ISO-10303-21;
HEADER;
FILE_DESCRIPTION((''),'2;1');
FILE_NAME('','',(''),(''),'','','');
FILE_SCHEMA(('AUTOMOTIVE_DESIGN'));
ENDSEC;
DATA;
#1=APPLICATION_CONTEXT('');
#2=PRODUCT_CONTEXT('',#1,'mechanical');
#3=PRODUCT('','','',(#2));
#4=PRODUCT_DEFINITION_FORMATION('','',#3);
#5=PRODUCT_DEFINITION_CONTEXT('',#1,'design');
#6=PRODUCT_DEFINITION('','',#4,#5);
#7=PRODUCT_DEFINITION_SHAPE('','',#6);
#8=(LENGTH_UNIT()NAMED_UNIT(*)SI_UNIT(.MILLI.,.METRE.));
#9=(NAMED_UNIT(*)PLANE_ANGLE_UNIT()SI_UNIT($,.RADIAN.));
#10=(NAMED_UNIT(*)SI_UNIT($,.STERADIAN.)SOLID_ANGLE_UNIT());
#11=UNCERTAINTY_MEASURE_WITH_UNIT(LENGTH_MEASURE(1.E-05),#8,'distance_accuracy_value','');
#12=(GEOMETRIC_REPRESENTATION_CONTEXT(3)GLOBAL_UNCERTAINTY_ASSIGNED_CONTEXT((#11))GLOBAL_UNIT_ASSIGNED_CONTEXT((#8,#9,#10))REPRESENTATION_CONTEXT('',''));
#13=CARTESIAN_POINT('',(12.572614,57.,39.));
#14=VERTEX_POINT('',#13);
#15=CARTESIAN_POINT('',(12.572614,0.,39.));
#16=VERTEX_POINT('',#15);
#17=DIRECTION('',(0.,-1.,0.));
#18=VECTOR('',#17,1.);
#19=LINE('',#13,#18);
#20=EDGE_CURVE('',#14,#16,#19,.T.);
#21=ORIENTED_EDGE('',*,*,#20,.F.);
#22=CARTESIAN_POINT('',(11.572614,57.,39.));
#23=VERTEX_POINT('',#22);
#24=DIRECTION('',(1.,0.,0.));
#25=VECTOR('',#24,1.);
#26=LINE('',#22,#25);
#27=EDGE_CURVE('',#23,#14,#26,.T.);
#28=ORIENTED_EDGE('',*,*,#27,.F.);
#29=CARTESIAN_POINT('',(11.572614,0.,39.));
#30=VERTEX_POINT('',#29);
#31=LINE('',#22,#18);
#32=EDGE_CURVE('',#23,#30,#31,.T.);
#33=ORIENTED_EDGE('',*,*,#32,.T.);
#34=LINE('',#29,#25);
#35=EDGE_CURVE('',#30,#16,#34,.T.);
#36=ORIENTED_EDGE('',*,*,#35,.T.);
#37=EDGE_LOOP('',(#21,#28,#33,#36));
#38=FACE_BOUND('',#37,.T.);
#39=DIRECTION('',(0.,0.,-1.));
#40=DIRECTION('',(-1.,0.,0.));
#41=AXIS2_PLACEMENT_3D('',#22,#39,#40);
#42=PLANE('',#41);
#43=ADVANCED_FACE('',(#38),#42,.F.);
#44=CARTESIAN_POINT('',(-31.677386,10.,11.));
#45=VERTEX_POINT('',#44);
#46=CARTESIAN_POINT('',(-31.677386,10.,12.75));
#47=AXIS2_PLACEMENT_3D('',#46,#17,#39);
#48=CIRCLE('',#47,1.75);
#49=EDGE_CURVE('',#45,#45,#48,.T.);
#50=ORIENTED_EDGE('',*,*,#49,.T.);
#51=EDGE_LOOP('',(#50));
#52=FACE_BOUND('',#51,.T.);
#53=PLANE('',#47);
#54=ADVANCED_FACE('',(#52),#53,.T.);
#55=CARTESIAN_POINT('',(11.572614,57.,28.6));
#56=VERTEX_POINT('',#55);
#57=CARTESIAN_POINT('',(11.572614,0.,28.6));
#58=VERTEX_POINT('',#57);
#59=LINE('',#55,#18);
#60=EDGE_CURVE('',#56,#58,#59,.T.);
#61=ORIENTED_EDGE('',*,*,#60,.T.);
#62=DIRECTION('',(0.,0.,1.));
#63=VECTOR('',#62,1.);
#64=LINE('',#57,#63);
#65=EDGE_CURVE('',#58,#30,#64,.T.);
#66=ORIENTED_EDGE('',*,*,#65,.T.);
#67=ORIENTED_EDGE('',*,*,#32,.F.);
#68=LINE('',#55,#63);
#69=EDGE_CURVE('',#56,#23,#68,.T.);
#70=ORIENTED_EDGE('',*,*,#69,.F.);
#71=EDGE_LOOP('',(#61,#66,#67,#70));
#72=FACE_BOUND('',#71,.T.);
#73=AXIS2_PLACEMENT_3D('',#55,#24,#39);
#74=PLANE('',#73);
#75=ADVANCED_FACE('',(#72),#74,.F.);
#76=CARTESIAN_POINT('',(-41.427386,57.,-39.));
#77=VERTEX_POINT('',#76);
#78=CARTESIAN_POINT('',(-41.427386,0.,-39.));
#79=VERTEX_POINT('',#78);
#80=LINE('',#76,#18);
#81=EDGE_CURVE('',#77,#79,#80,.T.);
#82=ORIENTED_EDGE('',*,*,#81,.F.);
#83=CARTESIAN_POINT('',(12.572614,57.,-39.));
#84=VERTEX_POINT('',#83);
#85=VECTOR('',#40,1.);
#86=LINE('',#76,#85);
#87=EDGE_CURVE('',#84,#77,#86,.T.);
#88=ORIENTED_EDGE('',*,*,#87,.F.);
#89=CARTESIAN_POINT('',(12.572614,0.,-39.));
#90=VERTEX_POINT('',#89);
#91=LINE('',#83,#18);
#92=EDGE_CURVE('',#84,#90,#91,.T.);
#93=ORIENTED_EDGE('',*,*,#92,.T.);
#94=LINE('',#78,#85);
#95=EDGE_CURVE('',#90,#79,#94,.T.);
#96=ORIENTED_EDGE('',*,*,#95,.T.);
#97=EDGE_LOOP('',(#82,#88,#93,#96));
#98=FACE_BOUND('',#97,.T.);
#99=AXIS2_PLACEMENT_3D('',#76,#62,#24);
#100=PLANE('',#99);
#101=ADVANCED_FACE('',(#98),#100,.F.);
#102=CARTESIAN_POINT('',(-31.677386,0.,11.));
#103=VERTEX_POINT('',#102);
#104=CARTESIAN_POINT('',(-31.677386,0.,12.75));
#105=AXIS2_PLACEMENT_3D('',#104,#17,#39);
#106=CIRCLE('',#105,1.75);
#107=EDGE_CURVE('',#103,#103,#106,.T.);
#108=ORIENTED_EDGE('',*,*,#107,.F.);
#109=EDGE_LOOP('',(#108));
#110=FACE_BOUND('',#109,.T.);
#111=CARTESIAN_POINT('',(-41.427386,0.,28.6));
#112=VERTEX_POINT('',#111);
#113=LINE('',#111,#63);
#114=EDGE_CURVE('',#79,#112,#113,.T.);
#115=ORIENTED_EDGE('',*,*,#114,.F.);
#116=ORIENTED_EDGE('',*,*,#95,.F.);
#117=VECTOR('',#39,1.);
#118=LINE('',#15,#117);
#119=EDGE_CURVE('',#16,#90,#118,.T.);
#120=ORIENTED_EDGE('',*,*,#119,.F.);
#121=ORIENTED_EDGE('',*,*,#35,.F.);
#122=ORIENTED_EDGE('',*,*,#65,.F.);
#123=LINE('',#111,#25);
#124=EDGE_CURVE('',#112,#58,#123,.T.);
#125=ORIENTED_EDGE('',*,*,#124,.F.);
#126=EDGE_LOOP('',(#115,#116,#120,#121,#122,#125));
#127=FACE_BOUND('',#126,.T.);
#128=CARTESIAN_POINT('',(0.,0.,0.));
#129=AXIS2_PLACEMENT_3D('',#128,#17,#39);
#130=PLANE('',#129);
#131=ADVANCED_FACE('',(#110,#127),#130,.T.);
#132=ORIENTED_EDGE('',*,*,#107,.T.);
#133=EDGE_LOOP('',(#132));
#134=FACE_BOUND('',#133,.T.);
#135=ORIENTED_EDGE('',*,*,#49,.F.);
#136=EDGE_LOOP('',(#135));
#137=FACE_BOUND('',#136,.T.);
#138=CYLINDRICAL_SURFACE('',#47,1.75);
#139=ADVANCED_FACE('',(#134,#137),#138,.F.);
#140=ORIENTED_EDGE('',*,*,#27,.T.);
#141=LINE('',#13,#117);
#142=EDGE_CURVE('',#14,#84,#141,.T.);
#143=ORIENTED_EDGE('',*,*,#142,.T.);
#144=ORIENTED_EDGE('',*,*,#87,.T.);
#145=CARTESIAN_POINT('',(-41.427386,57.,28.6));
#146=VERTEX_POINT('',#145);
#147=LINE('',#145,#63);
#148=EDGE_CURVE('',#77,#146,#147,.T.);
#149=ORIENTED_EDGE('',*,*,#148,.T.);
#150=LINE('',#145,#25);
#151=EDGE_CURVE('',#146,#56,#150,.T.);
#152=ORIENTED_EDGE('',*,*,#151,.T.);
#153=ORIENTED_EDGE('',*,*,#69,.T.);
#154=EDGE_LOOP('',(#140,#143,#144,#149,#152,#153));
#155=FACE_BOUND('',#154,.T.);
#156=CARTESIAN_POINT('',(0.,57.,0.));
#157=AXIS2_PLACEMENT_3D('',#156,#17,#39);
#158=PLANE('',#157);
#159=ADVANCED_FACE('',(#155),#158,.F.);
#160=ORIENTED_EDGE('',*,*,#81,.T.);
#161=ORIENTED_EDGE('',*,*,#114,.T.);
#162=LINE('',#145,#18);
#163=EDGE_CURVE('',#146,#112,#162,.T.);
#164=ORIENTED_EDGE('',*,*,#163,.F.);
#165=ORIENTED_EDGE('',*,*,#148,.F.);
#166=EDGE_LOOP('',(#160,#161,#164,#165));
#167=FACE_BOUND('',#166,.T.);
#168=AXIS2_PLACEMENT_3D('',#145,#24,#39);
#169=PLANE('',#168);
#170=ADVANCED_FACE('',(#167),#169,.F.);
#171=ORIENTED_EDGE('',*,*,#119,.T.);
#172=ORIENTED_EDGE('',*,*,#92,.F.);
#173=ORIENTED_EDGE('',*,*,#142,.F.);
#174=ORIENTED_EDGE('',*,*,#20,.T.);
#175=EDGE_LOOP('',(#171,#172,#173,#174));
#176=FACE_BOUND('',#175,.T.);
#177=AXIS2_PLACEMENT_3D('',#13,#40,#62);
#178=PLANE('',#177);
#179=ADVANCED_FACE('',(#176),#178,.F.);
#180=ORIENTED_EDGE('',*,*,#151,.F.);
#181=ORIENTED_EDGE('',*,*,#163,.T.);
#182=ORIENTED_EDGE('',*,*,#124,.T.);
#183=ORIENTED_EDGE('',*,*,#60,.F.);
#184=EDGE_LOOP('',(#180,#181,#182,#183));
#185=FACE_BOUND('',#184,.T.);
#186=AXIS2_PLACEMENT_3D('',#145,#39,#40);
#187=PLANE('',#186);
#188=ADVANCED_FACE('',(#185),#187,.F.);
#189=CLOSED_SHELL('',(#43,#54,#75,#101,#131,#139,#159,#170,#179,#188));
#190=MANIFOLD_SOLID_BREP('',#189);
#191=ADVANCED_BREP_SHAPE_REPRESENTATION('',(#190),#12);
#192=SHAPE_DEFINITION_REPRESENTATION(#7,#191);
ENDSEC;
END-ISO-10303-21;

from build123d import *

# Parameters (mm, degrees)
RESSALTO_EXTRUS_O1_DEPTH = 57
ESBO_O2_R                = 1.75
CORTE_EXTRUS_O1_DEPTH    = 10


with BuildPart() as part:
    # Esboço1 → Ressalto-extrusão1 (new body)
    with BuildSketch(Plane(origin=(0, 0, 0), x_dir=(1, 0, 0), z_dir=(0, 1, 0))):
        Polygon((-41.427385892, -28.6), (11.572614108, -28.6), (11.572614108, -39), (12.572614108, -39), (12.572614108, 39), (-41.427385892, 39), align=None)
    extrude(amount=RESSALTO_EXTRUS_O1_DEPTH)

    # Esboço2 → Corte-extrusão1 (cut)
    with BuildSketch(Plane.XZ):
        with Locations(Location((-31.677385892, 12.75, 0), (0, 0, 270))):
            Circle(ESBO_O2_R)
    extrude(amount=-CORTE_EXTRUS_O1_DEPTH, mode=Mode.SUBTRACT)


solid = part.part
